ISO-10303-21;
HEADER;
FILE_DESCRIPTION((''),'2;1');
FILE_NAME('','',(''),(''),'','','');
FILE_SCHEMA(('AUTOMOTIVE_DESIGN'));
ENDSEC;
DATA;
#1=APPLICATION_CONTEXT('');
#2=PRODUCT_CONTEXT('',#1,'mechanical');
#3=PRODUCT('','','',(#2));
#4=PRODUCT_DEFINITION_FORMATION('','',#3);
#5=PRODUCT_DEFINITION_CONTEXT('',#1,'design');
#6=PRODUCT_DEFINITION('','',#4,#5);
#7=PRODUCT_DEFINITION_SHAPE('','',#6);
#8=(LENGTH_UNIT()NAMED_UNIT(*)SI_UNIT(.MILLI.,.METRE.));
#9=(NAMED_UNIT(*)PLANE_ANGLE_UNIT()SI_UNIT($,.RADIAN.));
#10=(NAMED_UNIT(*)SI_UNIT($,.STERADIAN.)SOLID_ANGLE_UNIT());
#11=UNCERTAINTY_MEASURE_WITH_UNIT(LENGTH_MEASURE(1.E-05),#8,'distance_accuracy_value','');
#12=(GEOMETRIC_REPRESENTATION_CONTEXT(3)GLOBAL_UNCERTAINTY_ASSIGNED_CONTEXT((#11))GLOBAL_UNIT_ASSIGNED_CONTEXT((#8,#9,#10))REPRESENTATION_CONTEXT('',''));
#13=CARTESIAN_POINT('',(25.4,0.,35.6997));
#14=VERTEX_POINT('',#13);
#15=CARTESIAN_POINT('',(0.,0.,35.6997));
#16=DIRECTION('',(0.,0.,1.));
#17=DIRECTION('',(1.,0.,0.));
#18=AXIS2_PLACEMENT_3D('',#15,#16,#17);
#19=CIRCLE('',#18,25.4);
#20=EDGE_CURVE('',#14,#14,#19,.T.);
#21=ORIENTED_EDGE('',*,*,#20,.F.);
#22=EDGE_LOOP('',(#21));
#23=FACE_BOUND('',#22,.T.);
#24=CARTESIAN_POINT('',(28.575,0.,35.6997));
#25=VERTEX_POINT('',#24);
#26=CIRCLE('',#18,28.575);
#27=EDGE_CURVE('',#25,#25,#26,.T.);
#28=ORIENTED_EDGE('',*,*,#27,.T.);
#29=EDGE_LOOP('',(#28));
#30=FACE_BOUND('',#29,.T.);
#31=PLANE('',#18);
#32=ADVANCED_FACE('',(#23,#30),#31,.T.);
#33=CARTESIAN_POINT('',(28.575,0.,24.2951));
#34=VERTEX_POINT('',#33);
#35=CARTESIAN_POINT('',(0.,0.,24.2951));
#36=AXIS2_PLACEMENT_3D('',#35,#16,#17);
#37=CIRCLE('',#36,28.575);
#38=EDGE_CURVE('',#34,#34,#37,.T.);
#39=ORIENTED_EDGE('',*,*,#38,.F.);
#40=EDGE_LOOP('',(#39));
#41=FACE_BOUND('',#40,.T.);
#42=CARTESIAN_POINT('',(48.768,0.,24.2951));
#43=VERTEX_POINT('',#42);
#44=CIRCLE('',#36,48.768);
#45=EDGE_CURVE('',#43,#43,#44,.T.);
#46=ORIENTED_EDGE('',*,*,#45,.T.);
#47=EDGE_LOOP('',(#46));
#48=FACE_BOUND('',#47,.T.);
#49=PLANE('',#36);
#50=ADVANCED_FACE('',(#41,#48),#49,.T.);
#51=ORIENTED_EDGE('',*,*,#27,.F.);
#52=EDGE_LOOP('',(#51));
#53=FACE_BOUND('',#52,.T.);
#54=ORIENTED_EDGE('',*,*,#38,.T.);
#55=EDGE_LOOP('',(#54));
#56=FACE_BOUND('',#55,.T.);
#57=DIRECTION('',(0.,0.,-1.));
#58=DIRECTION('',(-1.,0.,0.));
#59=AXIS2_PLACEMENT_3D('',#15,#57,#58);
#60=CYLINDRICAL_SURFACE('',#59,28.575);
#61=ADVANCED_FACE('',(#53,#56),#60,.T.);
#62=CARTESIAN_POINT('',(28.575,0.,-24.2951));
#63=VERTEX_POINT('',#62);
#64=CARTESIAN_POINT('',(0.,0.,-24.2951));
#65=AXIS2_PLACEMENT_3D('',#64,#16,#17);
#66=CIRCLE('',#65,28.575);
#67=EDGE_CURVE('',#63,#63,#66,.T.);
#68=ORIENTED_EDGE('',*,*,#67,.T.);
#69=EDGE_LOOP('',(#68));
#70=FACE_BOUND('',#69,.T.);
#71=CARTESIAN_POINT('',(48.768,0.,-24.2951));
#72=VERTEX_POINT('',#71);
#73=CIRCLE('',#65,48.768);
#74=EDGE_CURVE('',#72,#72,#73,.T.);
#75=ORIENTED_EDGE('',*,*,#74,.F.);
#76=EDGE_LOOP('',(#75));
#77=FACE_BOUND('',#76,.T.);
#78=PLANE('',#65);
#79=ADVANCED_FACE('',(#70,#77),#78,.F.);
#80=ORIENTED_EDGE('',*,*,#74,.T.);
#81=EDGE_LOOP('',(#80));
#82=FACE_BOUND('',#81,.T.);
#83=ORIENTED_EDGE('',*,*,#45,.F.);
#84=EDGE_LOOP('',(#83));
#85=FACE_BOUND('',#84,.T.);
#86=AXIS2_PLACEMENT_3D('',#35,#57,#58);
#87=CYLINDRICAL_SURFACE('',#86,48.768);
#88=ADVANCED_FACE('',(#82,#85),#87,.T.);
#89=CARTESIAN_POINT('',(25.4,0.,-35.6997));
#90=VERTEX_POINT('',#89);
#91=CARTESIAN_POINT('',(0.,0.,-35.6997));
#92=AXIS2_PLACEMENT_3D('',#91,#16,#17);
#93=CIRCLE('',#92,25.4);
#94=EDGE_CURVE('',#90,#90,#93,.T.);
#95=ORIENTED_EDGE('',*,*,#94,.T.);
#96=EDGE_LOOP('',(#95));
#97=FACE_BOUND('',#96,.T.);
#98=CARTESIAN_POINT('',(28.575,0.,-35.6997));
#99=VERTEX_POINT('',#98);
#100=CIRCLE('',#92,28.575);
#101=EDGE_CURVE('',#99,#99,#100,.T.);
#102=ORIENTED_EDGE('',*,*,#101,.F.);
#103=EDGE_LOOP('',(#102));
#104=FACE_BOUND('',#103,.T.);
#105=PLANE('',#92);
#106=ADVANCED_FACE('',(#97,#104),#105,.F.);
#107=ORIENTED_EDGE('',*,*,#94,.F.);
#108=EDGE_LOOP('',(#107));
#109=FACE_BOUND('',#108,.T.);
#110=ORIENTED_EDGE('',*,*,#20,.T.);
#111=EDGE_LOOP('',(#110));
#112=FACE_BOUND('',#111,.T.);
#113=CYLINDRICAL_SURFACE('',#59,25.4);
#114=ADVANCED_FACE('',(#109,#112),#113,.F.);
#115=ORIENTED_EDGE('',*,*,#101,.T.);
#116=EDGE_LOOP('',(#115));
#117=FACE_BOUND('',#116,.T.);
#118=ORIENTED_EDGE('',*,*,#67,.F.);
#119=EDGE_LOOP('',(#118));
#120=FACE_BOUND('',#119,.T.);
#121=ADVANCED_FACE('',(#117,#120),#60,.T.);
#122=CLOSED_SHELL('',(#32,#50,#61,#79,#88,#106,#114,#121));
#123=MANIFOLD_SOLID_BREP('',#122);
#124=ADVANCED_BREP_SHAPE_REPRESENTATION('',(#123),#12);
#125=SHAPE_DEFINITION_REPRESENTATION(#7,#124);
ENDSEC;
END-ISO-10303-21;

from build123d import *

# Parameters (mm, degrees)
SKETCH1_R           = 28.575
SKETCH1_R_2         = 25.4
BOSS_EXTRUDE1_DEPTH = 35.6997
SKETCH2_R           = 48.768
SKETCH2_R_2         = 28.575
BOSS_EXTRUDE2_DEPTH = 24.2951


with BuildPart() as part:
    # Sketch1 → Boss-Extrude1 (new, symmetric)
    with BuildSketch(Plane.XY):
        Circle(SKETCH1_R)
        Circle(SKETCH1_R_2, mode=Mode.SUBTRACT)
    extrude(amount=BOSS_EXTRUDE1_DEPTH, both=True)

    # Sketch2 → Boss-Extrude2 (add, symmetric)
    with BuildSketch(Plane.XY):
        Circle(SKETCH2_R)
        Circle(SKETCH2_R_2, mode=Mode.SUBTRACT)
    extrude(amount=BOSS_EXTRUDE2_DEPTH, both=True)


solid = part.part
